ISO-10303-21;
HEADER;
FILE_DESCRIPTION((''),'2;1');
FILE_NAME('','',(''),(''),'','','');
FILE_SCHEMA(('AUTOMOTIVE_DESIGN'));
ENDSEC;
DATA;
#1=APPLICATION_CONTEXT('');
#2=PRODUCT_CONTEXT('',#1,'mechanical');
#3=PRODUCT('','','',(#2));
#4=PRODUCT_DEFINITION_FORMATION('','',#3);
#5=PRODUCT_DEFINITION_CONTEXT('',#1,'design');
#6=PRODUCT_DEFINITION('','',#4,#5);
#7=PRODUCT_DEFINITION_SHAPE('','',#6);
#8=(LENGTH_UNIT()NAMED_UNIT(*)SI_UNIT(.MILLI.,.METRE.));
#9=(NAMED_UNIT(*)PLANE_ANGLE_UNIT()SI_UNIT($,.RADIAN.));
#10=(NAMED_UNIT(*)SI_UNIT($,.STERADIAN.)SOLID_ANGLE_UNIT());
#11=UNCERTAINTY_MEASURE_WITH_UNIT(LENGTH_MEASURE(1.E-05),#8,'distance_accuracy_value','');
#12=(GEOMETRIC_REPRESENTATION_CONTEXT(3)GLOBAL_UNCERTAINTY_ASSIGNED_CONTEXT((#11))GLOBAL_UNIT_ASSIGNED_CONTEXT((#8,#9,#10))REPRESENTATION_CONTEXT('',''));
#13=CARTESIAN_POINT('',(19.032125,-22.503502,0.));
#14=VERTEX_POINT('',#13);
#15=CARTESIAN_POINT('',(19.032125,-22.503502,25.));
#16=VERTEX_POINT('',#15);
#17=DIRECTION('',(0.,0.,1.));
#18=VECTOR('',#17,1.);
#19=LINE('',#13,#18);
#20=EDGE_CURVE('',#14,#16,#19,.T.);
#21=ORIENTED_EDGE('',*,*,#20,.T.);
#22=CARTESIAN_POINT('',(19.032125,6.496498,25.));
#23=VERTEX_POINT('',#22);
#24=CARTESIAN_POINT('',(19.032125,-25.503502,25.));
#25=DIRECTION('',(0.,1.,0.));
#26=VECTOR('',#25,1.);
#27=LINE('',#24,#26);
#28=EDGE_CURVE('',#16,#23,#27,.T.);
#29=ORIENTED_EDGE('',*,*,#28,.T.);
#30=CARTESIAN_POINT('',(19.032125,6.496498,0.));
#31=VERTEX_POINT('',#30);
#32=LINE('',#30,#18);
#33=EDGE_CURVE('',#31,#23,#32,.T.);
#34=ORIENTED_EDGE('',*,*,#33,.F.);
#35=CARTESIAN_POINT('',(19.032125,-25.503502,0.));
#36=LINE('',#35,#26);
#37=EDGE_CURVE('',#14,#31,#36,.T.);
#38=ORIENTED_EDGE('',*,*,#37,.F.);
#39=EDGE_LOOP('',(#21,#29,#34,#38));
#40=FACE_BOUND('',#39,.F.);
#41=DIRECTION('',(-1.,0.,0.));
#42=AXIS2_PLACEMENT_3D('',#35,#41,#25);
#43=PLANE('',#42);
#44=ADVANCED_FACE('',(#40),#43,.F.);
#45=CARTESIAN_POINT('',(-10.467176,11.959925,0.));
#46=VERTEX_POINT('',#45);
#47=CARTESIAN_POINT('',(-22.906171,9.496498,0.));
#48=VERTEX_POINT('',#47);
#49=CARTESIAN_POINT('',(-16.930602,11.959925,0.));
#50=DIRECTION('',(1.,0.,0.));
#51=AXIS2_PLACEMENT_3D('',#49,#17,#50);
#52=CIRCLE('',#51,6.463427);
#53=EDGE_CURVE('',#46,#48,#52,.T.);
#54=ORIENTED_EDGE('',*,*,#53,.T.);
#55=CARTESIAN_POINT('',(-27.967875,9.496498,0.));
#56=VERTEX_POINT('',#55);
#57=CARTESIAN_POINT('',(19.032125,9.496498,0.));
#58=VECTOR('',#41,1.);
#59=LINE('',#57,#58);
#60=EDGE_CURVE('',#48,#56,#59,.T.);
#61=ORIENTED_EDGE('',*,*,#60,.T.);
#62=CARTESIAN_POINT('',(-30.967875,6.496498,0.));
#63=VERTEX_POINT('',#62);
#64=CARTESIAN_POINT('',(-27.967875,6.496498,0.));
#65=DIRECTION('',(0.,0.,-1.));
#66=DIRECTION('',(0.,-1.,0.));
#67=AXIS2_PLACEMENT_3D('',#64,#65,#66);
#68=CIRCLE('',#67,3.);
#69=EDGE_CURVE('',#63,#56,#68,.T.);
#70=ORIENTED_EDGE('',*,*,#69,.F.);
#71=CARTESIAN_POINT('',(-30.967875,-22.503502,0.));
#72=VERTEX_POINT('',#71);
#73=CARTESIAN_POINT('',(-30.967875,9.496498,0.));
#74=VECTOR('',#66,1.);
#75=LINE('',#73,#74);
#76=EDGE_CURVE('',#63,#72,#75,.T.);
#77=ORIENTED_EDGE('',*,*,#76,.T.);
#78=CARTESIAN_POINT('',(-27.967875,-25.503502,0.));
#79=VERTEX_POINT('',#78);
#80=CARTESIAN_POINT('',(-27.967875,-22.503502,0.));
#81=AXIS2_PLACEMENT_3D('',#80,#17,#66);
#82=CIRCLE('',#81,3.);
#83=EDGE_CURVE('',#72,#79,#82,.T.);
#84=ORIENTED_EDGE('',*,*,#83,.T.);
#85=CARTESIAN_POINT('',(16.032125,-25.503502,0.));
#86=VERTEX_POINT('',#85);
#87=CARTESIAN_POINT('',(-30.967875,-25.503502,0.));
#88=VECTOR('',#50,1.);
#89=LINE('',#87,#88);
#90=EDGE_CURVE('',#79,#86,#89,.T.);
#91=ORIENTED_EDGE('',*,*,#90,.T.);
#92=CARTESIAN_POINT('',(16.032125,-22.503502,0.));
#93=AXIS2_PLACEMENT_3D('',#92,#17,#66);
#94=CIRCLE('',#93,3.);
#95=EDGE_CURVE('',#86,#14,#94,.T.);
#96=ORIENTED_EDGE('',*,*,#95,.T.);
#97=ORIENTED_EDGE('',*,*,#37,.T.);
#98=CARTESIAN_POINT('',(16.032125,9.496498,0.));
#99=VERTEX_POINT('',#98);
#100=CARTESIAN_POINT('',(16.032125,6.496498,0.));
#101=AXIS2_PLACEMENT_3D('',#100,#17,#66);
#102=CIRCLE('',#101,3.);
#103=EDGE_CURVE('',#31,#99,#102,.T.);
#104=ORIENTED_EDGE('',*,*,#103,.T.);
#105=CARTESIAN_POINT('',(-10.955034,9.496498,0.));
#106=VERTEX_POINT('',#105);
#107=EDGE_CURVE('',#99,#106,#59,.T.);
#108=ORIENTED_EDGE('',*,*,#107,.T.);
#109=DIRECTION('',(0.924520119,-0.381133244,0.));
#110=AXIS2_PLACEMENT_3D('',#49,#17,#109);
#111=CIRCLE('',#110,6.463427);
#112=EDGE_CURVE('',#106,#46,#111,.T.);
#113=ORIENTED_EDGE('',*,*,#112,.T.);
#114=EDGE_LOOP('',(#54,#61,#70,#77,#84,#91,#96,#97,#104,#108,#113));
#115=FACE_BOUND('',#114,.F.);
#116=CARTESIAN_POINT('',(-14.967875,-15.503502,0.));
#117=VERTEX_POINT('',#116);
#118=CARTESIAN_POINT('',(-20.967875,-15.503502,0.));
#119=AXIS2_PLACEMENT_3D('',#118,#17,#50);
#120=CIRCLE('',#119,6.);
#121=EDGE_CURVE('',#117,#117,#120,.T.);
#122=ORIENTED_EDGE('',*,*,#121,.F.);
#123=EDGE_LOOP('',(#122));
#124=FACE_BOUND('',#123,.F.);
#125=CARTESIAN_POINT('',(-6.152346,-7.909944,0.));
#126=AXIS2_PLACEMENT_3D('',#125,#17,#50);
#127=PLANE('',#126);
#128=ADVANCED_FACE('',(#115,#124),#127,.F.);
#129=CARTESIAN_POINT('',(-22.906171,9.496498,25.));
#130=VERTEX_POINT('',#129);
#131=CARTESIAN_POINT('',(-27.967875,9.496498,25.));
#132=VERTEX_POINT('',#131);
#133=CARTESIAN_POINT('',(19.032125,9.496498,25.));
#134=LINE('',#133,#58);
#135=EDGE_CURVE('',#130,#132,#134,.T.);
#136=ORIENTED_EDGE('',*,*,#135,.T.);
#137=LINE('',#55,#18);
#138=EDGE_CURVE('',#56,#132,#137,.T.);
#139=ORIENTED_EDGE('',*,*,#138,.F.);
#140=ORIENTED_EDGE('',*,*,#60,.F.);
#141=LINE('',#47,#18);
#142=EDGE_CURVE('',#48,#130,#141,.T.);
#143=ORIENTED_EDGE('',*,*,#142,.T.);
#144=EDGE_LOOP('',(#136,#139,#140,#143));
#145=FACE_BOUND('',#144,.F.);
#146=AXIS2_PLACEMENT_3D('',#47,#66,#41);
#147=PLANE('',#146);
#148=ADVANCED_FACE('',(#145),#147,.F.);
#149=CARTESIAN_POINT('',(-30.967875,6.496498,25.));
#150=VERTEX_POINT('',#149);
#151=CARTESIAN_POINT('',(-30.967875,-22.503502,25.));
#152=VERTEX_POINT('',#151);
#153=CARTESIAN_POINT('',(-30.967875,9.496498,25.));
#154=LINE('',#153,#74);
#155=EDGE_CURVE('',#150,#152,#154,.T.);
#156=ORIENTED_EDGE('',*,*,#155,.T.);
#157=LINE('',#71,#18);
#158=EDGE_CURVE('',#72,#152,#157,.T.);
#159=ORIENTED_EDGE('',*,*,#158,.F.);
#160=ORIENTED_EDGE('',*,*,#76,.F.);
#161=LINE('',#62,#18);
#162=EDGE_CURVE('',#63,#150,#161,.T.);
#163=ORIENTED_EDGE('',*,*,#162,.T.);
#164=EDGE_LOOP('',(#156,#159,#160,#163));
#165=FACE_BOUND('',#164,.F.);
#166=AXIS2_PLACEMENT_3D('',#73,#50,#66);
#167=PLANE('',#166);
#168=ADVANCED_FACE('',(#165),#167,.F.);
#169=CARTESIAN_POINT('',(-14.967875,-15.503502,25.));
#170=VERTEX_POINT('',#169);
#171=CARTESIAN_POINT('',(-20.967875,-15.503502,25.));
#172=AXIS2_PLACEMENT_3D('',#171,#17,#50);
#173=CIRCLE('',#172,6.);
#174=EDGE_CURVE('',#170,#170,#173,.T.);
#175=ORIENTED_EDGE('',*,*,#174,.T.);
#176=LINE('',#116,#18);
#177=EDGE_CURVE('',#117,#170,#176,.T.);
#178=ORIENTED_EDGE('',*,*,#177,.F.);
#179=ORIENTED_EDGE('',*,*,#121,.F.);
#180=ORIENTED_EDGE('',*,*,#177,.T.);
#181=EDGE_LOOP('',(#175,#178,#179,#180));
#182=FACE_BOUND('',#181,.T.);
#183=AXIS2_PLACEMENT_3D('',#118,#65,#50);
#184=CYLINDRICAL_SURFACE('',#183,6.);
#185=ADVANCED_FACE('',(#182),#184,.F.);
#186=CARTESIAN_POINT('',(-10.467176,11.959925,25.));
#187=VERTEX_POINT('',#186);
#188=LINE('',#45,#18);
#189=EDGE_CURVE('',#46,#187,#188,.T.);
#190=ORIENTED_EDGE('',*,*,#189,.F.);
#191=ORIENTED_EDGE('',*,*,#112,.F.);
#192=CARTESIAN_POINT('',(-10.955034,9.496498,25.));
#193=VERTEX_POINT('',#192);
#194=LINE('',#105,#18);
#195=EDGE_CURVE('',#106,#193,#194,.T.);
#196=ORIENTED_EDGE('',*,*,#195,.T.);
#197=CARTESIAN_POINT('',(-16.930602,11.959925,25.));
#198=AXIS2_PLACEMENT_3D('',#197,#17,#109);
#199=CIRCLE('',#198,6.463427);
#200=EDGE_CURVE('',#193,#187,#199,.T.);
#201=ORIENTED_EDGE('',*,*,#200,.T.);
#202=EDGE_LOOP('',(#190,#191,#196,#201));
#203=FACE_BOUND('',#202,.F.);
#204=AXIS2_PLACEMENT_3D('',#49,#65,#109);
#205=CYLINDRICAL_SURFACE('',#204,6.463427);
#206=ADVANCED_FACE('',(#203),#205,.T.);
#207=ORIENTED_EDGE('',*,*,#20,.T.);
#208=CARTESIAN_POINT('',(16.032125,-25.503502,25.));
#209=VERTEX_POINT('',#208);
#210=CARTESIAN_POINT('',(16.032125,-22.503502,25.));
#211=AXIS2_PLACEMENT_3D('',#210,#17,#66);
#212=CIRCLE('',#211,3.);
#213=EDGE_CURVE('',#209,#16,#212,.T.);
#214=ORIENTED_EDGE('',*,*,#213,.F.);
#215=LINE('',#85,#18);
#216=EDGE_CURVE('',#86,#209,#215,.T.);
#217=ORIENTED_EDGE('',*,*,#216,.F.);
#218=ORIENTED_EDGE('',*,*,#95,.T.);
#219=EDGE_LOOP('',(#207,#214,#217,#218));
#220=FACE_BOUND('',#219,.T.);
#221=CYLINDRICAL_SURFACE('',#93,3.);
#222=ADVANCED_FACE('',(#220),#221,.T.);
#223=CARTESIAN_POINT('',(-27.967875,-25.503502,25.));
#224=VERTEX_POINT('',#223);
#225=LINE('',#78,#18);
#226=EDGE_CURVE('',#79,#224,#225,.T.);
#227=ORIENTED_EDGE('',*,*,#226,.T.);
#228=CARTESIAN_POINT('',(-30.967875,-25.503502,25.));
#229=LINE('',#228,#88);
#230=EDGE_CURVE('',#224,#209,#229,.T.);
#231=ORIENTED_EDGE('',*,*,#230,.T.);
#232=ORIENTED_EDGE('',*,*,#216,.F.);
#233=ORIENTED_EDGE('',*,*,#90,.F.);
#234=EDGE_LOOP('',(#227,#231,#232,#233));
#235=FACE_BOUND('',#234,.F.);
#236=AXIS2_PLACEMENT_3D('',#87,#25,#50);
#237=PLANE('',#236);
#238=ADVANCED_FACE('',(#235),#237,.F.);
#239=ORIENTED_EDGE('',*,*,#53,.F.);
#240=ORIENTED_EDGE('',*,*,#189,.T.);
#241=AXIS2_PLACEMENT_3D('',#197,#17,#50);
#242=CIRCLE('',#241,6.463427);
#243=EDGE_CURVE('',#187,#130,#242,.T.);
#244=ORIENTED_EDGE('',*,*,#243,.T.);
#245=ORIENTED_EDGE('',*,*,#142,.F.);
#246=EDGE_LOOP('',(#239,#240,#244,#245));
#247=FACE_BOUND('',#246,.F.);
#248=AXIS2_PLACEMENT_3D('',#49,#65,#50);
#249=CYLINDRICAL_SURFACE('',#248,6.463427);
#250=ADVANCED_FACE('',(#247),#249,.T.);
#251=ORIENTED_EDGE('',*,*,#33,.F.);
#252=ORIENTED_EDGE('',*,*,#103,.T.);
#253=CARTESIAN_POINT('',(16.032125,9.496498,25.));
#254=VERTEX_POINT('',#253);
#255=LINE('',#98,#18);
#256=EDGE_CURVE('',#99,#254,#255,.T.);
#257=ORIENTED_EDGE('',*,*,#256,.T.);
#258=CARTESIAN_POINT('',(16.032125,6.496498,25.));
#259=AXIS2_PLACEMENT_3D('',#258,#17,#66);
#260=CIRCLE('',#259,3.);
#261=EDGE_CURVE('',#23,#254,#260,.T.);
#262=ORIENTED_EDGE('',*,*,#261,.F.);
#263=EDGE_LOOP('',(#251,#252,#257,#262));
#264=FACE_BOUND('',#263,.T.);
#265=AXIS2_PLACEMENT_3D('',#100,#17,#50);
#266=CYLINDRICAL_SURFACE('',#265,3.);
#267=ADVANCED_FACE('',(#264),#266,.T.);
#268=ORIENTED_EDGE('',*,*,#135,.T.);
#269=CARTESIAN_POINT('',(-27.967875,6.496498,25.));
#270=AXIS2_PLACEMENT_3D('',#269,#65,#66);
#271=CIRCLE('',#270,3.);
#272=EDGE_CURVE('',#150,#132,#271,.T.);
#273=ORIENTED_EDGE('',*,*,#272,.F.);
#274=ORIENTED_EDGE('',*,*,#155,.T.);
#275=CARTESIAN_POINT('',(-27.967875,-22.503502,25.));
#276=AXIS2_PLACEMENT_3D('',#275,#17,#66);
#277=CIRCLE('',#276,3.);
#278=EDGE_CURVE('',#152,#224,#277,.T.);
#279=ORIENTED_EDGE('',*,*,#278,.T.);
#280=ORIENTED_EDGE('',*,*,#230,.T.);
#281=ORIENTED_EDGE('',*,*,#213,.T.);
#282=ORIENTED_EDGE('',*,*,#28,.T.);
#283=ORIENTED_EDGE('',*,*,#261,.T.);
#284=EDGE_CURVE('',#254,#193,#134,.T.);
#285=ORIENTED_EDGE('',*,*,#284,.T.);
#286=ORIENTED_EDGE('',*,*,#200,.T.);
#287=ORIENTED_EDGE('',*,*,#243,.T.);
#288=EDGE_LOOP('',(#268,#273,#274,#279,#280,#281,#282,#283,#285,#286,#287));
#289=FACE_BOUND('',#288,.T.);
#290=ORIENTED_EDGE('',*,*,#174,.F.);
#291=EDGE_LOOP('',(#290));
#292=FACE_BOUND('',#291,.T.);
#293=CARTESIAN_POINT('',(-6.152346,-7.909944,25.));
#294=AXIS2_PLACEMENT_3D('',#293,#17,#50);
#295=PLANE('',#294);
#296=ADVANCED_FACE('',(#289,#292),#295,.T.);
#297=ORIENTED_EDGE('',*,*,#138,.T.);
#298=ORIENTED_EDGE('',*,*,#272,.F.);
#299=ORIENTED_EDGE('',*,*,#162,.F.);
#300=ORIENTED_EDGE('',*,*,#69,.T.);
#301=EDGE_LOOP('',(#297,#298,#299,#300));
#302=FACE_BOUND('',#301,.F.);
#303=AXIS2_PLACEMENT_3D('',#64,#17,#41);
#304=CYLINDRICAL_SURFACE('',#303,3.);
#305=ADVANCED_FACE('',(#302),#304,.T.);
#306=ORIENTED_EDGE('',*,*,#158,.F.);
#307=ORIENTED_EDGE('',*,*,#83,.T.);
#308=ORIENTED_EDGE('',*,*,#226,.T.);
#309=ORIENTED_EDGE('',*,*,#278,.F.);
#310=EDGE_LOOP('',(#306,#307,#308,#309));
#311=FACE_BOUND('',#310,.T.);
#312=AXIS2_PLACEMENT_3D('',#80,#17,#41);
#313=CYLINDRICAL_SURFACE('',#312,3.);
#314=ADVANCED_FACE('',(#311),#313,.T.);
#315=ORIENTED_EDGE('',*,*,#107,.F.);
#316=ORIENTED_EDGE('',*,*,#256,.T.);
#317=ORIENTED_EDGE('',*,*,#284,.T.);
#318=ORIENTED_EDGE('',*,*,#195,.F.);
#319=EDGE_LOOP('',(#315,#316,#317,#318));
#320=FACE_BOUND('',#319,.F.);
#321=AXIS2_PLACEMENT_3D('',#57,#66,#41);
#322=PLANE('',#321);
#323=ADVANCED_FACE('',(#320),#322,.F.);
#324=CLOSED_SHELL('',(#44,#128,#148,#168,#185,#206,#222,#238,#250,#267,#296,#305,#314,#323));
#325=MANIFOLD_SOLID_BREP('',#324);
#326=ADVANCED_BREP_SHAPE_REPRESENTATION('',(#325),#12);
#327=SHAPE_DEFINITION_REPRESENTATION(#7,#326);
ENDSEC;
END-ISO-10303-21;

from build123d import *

# Parameters (mm, degrees)
F0_R     = 6
F1_DEPTH = 25
F2_R     = 3


with BuildPart() as f1:
    # F0 (on Top) → F1 (new body)
    with BuildSketch(Plane.XY):
        with BuildLine():
            Line((-22.9061706387, 9.4964984804), (-30.9678750113, 9.4964984804))
            Line((-30.9678750113, 9.4964984804), (-30.9678750113, -25.5035015196))
            Line((-30.9678750113, -25.5035015196), (19.0321249887, -25.5035015196))
            Line((19.0321249887, -25.5035015196), (19.0321249887, 9.4964984804))
            Line((19.0321249887, 9.4964984804), (-10.9550343431, 9.4964984804))
            ThreePointArc((-10.9550343431, 9.4964984804), (-16.9306024909, 5.4964984804), (-22.9061706387, 9.4964984804))
        make_face()
        with Locations((-20.9678750113, -15.5035015196)):
            Circle(F0_R, mode=Mode.SUBTRACT)
        with BuildLine():
            Line((-10.9550343431, 9.4964984804), (-22.9061706387, 9.4964984804))
            ThreePointArc((-22.9061706387, 9.4964984804), (-16.9306024909, 5.4964984804), (-10.9550343431, 9.4964984804))
        make_face()
        with BuildLine():
            ThreePointArc((-10.4671756547, 11.9599253166), (-18.1862375769, 18.3002145054), (-22.9061706387, 9.4964984804))
            Line((-22.9061706387, 9.4964984804), (-10.9550343431, 9.4964984804))
            ThreePointArc((-10.9550343431, 9.4964984804), (-10.5903133021, 10.7042902306), (-10.4671756547, 11.9599253166))
        make_face()
    extrude(amount=F1_DEPTH)

    # F2
    f2_edges = [f1.edges().sort_by_distance(p)[0] for p in [
        (-30.967875, 9.496498, 12.5),
        (-30.967875, -25.503502, 12.5),
        (19.032125, -25.503502, 12.5),
        (19.032125, 9.496498, 12.5),
    ]]
    fillet(f2_edges, radius=F2_R)


solid = f1.part
